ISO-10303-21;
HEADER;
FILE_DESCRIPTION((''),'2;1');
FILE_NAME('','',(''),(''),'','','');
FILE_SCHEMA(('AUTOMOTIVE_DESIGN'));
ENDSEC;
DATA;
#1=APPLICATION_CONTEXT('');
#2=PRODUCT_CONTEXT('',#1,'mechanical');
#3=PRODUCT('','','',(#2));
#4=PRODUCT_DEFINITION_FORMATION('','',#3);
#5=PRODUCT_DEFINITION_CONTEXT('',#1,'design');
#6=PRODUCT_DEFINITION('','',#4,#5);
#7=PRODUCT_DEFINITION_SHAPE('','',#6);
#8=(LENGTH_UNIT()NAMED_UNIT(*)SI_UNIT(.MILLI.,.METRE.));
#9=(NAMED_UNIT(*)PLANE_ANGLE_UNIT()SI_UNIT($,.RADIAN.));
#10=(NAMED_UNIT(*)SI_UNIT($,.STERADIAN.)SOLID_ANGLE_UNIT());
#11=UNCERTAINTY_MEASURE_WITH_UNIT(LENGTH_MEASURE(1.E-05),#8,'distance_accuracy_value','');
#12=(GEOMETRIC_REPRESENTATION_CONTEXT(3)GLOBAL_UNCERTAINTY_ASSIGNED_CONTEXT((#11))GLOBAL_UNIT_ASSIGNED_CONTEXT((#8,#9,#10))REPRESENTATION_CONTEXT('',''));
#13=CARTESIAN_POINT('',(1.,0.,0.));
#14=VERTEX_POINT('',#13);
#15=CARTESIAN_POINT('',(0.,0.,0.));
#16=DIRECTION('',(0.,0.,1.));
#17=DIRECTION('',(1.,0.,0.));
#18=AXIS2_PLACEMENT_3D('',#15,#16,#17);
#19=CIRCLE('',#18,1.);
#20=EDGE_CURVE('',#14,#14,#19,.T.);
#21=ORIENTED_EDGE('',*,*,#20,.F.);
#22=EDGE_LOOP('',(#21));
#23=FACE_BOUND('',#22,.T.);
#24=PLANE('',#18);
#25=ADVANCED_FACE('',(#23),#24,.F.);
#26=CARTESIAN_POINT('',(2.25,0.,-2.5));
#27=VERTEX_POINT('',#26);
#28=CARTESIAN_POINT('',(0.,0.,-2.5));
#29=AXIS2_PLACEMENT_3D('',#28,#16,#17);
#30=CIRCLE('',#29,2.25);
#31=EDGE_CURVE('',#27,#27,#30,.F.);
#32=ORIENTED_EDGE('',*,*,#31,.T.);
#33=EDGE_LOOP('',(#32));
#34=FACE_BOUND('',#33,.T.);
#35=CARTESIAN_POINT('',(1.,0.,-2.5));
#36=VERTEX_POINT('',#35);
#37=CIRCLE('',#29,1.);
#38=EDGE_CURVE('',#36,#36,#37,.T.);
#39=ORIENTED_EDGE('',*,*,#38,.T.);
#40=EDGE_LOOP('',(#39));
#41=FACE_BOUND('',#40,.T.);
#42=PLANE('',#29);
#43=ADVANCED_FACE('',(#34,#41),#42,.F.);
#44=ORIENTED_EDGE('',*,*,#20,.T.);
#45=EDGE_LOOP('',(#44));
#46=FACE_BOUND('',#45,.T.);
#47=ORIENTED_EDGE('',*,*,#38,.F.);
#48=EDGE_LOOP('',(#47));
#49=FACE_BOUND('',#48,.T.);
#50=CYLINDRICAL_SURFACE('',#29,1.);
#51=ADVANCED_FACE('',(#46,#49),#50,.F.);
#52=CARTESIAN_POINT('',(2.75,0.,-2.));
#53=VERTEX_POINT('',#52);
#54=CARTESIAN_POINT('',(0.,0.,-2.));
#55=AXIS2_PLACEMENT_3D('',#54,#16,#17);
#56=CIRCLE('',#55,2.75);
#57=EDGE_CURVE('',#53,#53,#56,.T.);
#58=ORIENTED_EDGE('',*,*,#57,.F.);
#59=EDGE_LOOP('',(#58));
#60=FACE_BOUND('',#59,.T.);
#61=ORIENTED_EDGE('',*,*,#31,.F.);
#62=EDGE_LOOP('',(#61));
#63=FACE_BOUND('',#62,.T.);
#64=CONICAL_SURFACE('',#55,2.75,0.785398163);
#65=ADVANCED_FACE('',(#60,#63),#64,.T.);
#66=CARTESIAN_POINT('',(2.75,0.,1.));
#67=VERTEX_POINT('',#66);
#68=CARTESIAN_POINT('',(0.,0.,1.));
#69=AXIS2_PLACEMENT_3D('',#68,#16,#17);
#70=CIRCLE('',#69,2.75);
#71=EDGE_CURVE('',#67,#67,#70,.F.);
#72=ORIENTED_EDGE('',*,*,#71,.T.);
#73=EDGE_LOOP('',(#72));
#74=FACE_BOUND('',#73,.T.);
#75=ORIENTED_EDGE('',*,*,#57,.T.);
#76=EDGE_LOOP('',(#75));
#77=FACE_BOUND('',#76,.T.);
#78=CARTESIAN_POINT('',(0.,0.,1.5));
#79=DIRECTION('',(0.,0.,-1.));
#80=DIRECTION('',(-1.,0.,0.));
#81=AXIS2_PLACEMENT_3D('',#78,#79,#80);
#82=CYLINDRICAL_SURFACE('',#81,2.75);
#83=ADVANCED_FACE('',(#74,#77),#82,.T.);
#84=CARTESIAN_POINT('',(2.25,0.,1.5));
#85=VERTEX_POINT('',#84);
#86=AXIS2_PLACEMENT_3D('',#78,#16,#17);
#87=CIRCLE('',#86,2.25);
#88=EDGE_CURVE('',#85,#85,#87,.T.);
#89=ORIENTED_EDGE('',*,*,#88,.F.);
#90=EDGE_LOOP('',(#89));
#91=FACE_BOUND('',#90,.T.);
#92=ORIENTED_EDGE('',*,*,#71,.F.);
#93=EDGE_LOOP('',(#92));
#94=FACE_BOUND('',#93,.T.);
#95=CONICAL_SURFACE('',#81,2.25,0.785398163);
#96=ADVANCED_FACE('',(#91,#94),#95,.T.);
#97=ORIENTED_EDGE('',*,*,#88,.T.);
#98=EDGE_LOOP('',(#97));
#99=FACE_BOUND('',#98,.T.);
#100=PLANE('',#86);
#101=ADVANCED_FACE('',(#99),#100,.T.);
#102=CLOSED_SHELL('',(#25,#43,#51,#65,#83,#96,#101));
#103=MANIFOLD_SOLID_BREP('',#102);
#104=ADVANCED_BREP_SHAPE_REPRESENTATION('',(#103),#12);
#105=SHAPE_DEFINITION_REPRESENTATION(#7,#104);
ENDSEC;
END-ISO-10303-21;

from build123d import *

# Parameters (mm, degrees)
SKETCH_1_R      = 2.75
EXTRUDE_1_DEPTH = 1.5
EXTRUDE_START   = -2.5
SKETCH_2_R      = 2.75
SKETCH_2_R_2    = 1
EXTRUDE_2_DEPTH = 2.5
CHAMFER_1_SIZE  = 0.5


with BuildPart() as part:
    # 스케치1 → 보스-돌출1 (new body)
    with BuildSketch(Plane.XY):
        Circle(SKETCH_1_R)
    extrude(amount=EXTRUDE_1_DEPTH)

    # 스케치2 → 보스-돌출2 (add)
    with BuildSketch(Plane.XY.offset(EXTRUDE_START)):
        Circle(SKETCH_2_R)
        Circle(SKETCH_2_R_2, mode=Mode.SUBTRACT)
    extrude(amount=EXTRUDE_2_DEPTH)

    # 모따기1
    chamfer_1_edges = [part.edges().sort_by_distance(p)[0] for p in [
        (-2.75, 0, 1.5),
        (-2.75, 0, -2.5),
    ]]
    chamfer(chamfer_1_edges, length=CHAMFER_1_SIZE)


solid = part.part
